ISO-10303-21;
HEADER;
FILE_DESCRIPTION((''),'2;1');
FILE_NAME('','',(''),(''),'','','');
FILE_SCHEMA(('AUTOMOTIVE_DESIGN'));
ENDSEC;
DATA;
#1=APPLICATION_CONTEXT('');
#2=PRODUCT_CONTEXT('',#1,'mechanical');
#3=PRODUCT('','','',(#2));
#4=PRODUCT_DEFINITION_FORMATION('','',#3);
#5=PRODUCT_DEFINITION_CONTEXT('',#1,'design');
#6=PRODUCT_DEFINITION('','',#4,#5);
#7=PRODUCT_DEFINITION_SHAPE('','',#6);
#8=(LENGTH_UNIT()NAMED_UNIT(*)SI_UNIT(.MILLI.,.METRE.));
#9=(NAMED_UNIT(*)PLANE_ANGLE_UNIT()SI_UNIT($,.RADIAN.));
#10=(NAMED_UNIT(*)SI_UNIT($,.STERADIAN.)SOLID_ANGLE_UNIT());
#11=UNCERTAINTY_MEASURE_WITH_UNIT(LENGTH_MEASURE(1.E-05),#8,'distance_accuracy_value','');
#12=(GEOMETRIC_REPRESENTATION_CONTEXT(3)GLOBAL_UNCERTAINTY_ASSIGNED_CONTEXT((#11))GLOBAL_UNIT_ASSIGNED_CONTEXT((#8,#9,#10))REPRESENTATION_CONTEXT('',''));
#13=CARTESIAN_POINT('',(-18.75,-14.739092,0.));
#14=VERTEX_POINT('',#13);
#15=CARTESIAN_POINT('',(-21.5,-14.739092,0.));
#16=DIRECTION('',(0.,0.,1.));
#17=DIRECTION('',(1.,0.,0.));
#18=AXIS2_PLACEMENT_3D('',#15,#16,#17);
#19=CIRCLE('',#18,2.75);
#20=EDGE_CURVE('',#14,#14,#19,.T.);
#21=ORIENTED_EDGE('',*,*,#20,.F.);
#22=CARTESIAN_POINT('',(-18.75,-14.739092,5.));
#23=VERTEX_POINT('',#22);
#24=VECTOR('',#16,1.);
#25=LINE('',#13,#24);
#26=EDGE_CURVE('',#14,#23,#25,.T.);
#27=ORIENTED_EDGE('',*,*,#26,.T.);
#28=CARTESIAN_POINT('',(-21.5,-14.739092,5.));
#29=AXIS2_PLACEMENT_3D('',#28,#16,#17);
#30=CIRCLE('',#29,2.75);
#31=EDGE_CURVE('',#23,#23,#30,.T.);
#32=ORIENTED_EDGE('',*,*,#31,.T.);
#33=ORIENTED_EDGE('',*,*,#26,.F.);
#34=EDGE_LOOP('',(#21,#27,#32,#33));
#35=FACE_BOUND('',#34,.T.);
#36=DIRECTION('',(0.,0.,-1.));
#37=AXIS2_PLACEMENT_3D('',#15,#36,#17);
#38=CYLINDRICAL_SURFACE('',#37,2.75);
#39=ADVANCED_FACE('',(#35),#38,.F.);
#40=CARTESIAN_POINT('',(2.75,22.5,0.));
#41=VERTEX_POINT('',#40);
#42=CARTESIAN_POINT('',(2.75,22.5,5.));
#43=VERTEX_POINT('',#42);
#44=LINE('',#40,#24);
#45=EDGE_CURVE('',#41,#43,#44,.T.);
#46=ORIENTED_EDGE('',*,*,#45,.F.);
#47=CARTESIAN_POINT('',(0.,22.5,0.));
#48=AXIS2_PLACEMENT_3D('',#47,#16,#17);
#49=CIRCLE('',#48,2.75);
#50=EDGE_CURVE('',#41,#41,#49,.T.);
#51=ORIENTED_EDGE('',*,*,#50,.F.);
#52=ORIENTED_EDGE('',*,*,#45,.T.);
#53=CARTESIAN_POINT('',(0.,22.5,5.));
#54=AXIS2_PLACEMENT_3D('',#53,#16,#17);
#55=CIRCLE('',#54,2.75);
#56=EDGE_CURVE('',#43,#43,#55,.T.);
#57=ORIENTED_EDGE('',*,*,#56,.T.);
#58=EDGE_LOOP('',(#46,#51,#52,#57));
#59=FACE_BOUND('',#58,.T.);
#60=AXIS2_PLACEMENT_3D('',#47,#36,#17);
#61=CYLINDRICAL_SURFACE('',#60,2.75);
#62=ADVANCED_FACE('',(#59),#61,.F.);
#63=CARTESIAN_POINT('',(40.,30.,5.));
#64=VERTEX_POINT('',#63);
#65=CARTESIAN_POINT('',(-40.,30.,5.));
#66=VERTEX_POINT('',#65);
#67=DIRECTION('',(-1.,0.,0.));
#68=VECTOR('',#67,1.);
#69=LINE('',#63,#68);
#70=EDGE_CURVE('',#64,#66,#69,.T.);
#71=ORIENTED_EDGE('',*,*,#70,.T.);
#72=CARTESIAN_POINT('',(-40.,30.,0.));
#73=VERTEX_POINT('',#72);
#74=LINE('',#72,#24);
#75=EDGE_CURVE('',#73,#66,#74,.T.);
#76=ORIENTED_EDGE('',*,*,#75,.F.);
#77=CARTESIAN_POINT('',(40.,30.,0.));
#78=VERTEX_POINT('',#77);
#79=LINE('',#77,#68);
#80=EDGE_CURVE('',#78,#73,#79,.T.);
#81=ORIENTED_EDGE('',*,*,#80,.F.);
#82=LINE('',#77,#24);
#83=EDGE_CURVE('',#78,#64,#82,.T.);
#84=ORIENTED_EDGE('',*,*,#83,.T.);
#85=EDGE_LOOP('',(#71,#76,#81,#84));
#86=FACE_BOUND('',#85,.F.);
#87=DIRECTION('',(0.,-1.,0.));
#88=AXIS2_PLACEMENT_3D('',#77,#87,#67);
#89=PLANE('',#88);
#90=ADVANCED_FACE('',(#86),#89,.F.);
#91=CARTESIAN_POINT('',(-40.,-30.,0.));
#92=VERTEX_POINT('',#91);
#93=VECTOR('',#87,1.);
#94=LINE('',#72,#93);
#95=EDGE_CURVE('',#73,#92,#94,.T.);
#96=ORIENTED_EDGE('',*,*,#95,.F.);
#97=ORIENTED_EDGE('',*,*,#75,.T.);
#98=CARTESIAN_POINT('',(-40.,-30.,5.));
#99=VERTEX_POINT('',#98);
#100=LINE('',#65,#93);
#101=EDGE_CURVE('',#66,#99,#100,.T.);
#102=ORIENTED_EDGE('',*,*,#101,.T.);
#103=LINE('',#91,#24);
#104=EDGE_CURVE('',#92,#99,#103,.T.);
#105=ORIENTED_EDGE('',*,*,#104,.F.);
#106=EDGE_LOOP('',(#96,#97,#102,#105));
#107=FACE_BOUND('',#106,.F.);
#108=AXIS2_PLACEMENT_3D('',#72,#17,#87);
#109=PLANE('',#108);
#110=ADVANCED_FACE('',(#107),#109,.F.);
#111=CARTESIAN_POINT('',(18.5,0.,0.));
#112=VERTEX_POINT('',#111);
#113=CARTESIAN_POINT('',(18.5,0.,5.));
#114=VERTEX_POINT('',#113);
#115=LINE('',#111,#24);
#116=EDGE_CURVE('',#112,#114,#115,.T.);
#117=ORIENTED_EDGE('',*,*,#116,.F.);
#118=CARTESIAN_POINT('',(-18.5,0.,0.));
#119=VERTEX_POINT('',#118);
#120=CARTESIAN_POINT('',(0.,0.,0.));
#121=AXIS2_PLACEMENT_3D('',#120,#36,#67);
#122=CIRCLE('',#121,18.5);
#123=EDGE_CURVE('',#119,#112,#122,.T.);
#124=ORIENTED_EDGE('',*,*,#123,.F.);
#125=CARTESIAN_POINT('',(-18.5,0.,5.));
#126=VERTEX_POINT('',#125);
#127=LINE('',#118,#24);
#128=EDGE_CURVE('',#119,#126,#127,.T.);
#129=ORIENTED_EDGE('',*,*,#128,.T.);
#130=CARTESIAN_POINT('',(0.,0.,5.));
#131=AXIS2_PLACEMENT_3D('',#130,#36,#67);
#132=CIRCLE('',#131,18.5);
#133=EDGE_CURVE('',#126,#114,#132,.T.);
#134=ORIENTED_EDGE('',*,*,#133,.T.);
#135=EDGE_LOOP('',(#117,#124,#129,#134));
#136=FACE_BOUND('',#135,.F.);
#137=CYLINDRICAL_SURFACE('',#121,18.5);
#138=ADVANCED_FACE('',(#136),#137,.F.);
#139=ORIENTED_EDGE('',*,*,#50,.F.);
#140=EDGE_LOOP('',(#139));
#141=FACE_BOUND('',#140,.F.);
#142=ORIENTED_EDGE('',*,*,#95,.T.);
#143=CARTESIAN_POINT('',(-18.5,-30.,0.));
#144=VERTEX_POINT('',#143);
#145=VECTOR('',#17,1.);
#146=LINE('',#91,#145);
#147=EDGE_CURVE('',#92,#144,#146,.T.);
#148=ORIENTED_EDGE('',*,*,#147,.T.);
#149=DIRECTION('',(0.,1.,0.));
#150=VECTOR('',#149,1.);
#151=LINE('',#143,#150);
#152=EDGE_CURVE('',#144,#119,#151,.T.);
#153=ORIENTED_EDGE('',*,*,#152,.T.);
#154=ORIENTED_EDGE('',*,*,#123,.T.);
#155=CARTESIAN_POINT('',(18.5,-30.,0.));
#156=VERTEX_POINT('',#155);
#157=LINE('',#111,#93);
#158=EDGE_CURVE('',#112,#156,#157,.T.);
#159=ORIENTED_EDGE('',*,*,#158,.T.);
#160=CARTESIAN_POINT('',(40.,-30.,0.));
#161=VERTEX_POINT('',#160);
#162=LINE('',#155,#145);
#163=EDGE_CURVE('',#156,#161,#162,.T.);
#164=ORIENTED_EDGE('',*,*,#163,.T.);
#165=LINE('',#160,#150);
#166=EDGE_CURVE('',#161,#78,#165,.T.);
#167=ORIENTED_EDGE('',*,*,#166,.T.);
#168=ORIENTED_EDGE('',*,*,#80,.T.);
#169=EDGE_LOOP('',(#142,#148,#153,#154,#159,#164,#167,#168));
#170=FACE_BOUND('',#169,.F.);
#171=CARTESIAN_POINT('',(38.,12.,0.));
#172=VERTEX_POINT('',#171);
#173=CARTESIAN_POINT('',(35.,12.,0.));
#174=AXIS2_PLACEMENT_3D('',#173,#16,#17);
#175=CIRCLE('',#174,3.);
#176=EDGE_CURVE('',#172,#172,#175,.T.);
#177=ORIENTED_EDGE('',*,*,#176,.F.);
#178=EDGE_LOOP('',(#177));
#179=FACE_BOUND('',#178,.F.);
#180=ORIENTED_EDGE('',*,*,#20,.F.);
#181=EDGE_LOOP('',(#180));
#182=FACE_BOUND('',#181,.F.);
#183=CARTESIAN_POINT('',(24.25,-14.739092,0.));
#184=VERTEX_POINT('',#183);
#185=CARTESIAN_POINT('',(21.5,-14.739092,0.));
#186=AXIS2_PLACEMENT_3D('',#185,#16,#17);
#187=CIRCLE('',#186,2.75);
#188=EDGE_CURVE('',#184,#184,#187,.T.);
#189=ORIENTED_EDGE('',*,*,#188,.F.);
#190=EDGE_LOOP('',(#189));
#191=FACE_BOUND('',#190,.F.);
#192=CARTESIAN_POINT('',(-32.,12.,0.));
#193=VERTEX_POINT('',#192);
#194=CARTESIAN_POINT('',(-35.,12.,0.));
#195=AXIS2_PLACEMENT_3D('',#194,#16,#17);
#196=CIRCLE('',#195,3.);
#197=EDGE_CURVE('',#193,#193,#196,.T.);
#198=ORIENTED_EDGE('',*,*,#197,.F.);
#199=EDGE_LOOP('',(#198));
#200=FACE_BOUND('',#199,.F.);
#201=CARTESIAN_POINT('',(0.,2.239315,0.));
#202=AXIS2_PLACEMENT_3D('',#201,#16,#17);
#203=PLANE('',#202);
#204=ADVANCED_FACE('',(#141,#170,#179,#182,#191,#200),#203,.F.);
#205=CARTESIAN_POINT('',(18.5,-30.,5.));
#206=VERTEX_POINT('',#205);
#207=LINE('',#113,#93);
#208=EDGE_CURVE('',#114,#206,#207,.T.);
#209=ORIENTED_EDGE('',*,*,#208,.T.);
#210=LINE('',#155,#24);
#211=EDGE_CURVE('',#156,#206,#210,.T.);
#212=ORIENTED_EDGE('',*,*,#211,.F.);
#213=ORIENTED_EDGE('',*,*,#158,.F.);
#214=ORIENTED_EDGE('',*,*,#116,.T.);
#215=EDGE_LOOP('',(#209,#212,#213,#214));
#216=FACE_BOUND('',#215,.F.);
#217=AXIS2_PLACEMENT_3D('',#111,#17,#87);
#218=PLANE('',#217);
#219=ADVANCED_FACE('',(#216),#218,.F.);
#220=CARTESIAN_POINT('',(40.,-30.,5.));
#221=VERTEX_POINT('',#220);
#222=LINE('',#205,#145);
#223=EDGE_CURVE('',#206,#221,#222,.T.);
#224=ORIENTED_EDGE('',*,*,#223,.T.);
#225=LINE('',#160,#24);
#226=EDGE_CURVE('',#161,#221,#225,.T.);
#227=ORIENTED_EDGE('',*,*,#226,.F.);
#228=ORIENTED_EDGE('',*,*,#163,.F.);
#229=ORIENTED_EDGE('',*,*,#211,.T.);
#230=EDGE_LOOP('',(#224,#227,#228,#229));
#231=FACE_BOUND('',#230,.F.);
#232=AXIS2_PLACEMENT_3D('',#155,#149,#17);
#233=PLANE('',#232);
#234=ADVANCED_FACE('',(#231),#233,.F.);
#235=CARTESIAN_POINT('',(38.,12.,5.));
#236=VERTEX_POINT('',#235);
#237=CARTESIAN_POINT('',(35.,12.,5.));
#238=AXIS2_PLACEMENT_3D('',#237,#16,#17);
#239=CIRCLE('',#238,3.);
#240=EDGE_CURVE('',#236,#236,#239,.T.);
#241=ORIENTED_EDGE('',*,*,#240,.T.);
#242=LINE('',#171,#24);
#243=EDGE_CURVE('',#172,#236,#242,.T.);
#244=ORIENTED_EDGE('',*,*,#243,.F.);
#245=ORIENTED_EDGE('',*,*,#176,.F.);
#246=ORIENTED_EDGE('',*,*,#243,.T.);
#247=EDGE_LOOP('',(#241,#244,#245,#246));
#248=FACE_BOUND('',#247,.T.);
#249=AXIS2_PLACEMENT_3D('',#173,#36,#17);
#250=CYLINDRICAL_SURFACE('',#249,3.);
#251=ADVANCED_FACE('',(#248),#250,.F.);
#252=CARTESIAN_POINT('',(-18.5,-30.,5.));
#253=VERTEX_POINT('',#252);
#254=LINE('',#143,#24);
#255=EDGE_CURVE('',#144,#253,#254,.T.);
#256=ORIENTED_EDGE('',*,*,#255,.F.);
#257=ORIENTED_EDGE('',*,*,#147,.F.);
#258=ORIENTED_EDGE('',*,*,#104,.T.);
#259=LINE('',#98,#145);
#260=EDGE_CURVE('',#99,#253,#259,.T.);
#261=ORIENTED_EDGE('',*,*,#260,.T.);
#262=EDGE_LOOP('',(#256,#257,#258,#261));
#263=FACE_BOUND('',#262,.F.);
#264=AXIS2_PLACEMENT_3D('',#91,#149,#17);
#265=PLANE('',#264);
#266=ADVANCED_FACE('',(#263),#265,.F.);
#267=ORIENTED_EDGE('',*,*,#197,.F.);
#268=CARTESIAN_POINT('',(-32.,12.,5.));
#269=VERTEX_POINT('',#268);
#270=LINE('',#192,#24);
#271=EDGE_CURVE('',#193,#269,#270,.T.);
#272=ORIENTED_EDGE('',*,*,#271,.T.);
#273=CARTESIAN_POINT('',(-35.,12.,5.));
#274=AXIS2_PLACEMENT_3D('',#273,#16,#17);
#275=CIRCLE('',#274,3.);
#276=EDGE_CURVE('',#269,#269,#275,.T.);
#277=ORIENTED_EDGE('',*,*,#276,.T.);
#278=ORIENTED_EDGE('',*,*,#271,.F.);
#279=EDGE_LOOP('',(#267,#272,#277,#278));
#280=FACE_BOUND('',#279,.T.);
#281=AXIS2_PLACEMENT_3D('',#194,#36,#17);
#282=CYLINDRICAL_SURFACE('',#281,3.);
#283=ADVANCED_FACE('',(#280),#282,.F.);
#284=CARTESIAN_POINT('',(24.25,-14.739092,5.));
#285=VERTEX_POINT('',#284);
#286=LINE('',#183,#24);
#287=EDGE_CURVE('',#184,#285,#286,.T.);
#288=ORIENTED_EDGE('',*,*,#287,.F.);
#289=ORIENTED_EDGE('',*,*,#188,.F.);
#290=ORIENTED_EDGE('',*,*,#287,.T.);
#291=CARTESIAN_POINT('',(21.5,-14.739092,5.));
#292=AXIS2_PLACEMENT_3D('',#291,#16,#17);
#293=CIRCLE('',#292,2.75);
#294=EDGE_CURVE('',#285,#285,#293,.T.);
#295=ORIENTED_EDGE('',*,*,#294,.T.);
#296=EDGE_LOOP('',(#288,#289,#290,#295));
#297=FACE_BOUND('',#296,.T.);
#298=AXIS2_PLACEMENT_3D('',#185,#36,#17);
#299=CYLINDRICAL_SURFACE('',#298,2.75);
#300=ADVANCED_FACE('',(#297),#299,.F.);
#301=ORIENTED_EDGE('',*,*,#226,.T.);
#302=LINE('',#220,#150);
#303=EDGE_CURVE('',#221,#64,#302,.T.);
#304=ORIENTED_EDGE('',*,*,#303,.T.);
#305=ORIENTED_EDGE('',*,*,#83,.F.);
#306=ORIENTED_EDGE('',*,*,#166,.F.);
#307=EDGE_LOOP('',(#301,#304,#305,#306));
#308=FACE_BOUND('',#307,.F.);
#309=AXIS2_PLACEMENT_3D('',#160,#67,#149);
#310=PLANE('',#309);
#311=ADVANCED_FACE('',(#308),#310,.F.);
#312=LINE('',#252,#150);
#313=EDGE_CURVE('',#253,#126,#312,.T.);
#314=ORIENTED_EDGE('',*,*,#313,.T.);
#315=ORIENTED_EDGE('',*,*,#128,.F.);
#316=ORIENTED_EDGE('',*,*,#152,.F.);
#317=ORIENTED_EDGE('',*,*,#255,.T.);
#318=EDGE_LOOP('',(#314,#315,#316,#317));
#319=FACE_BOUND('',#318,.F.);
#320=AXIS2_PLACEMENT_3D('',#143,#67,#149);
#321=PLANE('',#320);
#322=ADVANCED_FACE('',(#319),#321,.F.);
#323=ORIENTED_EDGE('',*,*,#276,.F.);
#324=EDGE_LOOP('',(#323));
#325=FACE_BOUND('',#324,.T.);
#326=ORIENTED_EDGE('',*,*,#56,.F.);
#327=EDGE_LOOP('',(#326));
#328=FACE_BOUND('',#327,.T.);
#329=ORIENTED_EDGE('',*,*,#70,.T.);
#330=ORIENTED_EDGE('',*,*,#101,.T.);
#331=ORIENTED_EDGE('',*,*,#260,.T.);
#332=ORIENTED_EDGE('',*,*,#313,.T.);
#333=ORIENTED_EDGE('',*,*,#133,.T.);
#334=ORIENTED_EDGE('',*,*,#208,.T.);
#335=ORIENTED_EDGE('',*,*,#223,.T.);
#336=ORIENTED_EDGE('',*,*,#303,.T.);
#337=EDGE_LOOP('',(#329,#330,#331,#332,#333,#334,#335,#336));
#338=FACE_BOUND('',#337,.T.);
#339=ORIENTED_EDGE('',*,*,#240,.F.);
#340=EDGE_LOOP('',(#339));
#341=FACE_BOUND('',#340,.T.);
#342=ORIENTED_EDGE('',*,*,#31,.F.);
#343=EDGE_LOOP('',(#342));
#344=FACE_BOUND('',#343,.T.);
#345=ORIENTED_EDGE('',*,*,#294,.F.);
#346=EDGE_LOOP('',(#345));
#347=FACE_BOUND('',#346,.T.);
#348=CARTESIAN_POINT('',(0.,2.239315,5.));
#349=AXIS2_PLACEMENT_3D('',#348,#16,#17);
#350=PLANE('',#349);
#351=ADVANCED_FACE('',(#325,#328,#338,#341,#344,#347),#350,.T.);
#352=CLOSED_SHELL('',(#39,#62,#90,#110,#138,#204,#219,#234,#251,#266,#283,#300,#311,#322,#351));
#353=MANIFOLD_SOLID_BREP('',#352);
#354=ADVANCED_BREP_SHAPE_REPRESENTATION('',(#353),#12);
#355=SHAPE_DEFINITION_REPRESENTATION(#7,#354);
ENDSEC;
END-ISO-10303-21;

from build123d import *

# Parameters (mm, degrees)
F0_R     = 2.75
F0_R_2   = 3
F1_DEPTH = 5


with BuildPart() as f1:
    # F0 (on Top) → F1 (new body)
    with BuildSketch(Plane.XY):
        with BuildLine():
            Line((-40, 30), (-40, -30))
            Line((-40, -30), (-18.5, -30))
            Line((-18.5, -30), (-18.5, 0))
            ThreePointArc((-18.5, 0), (0, 18.5), (18.5, 0))
            Line((18.5, 0), (18.5, -30))
            Line((18.5, -30), (40, -30))
            Line((40, -30), (40, 30))
            Line((40, 30), (-40, 30))
        make_face()
        with Locations((-21.5, -14.739092)):
            Circle(F0_R, mode=Mode.SUBTRACT)
        with Locations((21.5, -14.739092)):
            Circle(F0_R, mode=Mode.SUBTRACT)
        with Locations((-35, 12)):
            Circle(F0_R_2, mode=Mode.SUBTRACT)
        with Locations((35, 12)):
            Circle(F0_R_2, mode=Mode.SUBTRACT)
        with Locations((0, 22.5)):
            Circle(F0_R, mode=Mode.SUBTRACT)
    extrude(amount=F1_DEPTH)


solid = f1.part
